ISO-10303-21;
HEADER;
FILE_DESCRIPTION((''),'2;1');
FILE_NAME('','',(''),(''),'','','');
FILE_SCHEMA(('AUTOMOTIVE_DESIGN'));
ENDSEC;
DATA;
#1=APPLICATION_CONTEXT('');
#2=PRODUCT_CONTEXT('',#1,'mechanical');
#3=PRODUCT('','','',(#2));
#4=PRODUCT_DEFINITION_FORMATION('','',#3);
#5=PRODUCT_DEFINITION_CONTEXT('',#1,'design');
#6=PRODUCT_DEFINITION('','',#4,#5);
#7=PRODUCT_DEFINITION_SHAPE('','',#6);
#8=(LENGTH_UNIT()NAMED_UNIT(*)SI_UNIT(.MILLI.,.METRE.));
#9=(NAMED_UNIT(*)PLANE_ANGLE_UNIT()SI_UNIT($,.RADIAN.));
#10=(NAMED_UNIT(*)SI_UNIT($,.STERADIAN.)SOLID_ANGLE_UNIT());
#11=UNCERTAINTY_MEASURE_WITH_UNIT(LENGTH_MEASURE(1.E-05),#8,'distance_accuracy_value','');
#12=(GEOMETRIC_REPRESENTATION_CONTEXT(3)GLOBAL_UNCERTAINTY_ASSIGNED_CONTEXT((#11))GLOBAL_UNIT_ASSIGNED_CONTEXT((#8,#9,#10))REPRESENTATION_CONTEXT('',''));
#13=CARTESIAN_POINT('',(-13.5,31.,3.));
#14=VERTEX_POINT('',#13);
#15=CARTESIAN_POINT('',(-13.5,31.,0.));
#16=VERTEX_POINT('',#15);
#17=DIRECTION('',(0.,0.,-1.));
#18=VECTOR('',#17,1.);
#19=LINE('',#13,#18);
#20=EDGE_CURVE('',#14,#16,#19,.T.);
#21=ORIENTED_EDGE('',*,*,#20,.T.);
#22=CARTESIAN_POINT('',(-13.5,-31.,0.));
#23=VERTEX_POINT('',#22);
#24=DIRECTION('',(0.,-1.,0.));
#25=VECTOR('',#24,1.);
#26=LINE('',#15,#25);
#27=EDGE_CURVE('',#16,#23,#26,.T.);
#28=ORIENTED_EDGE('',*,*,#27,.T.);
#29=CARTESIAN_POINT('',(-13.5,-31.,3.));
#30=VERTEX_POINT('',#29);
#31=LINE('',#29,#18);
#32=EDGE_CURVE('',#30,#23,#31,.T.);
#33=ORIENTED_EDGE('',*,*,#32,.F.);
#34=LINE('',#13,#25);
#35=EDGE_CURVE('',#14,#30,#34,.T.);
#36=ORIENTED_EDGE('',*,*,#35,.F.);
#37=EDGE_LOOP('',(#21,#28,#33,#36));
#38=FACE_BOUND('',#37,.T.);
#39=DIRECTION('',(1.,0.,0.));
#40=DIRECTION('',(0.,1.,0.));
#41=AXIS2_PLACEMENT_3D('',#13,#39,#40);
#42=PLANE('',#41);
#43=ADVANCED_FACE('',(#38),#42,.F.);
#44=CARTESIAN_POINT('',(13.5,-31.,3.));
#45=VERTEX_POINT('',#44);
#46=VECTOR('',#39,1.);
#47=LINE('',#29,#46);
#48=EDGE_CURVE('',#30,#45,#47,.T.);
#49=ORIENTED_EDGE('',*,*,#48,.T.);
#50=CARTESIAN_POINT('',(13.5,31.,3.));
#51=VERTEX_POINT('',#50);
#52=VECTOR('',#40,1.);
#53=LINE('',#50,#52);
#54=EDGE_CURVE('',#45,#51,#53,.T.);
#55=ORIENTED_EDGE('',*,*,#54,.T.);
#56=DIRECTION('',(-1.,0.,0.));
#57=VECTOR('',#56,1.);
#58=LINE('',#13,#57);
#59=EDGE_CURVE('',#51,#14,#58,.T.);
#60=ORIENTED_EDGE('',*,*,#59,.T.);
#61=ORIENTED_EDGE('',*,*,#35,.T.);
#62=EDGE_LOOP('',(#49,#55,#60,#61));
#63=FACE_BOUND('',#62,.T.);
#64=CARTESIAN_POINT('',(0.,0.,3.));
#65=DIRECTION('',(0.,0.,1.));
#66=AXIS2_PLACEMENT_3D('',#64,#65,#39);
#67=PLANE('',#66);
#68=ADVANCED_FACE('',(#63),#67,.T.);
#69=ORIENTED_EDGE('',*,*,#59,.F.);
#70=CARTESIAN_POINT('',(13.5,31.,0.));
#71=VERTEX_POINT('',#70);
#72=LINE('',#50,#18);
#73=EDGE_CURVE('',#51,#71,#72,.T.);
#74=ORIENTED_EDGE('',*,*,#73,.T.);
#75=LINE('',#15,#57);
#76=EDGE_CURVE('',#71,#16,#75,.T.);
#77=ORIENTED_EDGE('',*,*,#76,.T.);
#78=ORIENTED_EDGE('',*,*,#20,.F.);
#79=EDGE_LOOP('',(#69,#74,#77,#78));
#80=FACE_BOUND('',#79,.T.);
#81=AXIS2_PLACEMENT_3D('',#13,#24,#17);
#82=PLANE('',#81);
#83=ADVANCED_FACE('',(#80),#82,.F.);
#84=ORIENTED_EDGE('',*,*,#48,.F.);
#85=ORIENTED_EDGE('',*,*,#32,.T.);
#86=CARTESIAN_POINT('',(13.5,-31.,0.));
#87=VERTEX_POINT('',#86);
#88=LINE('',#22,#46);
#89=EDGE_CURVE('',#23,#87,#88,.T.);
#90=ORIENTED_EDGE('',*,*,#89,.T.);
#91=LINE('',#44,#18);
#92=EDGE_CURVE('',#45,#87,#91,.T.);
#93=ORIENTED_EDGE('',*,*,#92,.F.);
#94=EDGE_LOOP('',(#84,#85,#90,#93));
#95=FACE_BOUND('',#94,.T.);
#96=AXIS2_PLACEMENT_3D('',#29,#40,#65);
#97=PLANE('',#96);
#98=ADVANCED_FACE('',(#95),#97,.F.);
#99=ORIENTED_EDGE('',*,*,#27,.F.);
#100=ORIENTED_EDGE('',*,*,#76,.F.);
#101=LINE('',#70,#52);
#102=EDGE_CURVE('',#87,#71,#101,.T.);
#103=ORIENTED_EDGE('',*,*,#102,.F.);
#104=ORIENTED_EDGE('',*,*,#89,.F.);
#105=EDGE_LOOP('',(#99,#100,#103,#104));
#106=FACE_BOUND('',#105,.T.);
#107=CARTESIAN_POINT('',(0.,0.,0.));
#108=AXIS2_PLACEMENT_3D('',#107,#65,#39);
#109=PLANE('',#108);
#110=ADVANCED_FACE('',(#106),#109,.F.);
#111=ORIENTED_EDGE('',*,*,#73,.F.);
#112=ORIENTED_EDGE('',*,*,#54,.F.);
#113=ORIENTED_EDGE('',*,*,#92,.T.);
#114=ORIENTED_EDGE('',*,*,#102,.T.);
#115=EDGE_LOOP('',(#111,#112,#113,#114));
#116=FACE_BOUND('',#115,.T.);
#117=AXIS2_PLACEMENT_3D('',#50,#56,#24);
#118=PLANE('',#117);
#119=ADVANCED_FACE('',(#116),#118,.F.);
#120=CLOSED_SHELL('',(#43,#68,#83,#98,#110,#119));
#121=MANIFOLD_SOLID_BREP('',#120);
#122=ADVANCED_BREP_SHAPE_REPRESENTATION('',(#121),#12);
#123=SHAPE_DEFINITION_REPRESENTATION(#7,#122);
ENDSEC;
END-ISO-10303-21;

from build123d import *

# Parameters (mm, degrees)
ESQUISSE1_W        = 27
ESQUISSE1_H        = 62
BOSS_EXTRU_1_DEPTH = 3


with BuildPart() as part:
    # Esquisse1 → Boss.-Extru.1 (new body)
    with BuildSketch(Plane.XY):
        Rectangle(ESQUISSE1_W, ESQUISSE1_H)
    extrude(amount=BOSS_EXTRU_1_DEPTH)


solid = part.part
